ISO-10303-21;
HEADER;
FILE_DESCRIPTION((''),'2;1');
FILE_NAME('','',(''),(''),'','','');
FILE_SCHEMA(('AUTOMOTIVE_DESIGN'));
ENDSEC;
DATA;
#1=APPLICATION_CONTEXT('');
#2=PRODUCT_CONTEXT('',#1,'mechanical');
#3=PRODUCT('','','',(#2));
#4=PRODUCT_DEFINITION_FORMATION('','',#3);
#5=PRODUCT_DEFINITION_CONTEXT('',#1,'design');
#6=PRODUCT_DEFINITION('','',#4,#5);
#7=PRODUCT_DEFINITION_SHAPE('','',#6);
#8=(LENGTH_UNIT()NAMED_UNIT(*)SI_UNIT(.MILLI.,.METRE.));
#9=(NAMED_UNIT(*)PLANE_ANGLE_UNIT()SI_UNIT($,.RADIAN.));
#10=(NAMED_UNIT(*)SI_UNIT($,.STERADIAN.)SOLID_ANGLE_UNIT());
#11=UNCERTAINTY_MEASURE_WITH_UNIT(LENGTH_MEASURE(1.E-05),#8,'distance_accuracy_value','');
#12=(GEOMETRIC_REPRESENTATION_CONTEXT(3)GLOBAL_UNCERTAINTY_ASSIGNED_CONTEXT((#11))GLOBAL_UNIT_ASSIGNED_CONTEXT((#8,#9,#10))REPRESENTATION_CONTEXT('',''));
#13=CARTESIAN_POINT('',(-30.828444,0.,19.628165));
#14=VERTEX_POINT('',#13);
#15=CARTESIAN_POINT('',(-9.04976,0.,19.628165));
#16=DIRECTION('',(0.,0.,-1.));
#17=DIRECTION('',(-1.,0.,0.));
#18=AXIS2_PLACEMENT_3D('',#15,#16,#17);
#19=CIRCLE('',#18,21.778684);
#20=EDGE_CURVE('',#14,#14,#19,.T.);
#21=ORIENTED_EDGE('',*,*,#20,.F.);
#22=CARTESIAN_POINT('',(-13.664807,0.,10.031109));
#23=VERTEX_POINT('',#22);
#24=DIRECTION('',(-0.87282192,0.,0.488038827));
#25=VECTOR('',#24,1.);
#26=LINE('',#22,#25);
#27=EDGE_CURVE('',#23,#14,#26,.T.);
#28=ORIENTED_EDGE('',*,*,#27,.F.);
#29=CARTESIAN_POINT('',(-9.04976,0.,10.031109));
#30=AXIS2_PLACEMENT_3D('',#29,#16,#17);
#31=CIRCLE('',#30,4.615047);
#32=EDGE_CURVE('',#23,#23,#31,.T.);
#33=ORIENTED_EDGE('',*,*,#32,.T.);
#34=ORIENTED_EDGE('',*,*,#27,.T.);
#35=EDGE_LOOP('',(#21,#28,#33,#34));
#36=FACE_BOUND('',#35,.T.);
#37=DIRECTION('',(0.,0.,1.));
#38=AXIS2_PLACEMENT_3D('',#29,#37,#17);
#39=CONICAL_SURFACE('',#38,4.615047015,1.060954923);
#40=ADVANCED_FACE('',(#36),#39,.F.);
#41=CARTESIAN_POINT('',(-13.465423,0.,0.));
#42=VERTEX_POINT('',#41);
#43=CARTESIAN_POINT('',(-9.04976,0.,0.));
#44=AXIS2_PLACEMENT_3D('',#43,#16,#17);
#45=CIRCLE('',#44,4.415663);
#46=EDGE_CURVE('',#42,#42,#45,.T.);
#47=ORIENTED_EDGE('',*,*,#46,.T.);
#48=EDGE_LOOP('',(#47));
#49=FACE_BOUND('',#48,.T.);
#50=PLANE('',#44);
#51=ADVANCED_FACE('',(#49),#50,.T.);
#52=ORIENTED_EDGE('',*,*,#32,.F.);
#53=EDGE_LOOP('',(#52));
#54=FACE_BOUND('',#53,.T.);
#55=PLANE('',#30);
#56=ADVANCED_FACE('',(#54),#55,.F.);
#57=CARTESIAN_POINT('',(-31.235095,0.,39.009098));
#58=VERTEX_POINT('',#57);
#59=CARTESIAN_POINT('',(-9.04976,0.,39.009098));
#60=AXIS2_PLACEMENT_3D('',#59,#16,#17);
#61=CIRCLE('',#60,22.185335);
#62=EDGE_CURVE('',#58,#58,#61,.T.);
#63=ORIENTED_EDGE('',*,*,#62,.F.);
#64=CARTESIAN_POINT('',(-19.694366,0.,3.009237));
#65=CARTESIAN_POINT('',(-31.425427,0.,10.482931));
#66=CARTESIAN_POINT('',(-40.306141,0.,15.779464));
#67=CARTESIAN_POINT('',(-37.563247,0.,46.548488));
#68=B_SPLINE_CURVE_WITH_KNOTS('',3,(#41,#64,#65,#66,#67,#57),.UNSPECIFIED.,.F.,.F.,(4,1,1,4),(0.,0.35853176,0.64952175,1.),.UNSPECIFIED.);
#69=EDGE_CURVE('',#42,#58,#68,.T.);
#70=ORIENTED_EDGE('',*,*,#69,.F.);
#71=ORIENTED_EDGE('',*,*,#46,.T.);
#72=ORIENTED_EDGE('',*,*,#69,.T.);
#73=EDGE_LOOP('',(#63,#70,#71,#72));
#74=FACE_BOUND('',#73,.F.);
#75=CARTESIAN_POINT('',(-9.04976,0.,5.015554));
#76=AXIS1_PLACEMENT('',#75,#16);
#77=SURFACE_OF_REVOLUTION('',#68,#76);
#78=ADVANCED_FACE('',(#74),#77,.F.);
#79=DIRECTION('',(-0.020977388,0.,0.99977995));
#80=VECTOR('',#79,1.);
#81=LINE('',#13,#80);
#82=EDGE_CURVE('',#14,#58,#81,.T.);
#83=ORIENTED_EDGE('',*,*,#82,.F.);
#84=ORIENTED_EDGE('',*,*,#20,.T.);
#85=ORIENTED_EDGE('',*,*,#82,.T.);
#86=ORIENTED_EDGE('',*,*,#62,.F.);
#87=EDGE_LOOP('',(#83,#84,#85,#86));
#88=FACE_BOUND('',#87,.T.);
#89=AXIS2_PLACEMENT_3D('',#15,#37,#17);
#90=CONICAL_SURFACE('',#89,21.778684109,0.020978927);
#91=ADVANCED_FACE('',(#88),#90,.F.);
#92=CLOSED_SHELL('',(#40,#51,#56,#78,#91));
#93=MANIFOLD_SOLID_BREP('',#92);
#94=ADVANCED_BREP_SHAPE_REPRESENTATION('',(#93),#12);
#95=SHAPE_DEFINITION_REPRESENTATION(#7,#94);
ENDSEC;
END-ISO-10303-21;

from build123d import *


with BuildPart() as f1:
    # F0 (on Front) → F1 (revolve)
    with BuildSketch(Plane.XZ):
        with BuildLine():
            add(Edge.make_bspline(
                [(-13.4654231369, 0), (-19.6943658543, 3.0092368628), (-31.4254265059, 10.4829306692), (-40.3061412499, 15.7794643526), (-37.5632465169, 46.5484878393), (-31.2350951135, 39.0090979636)],
                knots=[0, 0, 0, 0, 0.3585317603, 0.6495217499, 1, 1, 1, 1], degree=3))
            Line((-13.4654231369, 0), (-9.0497601777, 0))
            Line((-9.0497601777, 0), (-9.0497601777, 10.0311087444))
            Line((-9.0497601777, 10.0311087444), (-13.664807193, 10.0311087444))
            Line((-13.664807193, 10.0311087444), (-30.8284442872, 19.6281652898))
            Line((-30.8284442872, 19.6281652898), (-31.2350951135, 39.0090979636))
        make_face()
    revolve(axis=Axis((-9.0497601777, 0, 5.0155543722), (0, 0, -1)))


solid = f1.part
